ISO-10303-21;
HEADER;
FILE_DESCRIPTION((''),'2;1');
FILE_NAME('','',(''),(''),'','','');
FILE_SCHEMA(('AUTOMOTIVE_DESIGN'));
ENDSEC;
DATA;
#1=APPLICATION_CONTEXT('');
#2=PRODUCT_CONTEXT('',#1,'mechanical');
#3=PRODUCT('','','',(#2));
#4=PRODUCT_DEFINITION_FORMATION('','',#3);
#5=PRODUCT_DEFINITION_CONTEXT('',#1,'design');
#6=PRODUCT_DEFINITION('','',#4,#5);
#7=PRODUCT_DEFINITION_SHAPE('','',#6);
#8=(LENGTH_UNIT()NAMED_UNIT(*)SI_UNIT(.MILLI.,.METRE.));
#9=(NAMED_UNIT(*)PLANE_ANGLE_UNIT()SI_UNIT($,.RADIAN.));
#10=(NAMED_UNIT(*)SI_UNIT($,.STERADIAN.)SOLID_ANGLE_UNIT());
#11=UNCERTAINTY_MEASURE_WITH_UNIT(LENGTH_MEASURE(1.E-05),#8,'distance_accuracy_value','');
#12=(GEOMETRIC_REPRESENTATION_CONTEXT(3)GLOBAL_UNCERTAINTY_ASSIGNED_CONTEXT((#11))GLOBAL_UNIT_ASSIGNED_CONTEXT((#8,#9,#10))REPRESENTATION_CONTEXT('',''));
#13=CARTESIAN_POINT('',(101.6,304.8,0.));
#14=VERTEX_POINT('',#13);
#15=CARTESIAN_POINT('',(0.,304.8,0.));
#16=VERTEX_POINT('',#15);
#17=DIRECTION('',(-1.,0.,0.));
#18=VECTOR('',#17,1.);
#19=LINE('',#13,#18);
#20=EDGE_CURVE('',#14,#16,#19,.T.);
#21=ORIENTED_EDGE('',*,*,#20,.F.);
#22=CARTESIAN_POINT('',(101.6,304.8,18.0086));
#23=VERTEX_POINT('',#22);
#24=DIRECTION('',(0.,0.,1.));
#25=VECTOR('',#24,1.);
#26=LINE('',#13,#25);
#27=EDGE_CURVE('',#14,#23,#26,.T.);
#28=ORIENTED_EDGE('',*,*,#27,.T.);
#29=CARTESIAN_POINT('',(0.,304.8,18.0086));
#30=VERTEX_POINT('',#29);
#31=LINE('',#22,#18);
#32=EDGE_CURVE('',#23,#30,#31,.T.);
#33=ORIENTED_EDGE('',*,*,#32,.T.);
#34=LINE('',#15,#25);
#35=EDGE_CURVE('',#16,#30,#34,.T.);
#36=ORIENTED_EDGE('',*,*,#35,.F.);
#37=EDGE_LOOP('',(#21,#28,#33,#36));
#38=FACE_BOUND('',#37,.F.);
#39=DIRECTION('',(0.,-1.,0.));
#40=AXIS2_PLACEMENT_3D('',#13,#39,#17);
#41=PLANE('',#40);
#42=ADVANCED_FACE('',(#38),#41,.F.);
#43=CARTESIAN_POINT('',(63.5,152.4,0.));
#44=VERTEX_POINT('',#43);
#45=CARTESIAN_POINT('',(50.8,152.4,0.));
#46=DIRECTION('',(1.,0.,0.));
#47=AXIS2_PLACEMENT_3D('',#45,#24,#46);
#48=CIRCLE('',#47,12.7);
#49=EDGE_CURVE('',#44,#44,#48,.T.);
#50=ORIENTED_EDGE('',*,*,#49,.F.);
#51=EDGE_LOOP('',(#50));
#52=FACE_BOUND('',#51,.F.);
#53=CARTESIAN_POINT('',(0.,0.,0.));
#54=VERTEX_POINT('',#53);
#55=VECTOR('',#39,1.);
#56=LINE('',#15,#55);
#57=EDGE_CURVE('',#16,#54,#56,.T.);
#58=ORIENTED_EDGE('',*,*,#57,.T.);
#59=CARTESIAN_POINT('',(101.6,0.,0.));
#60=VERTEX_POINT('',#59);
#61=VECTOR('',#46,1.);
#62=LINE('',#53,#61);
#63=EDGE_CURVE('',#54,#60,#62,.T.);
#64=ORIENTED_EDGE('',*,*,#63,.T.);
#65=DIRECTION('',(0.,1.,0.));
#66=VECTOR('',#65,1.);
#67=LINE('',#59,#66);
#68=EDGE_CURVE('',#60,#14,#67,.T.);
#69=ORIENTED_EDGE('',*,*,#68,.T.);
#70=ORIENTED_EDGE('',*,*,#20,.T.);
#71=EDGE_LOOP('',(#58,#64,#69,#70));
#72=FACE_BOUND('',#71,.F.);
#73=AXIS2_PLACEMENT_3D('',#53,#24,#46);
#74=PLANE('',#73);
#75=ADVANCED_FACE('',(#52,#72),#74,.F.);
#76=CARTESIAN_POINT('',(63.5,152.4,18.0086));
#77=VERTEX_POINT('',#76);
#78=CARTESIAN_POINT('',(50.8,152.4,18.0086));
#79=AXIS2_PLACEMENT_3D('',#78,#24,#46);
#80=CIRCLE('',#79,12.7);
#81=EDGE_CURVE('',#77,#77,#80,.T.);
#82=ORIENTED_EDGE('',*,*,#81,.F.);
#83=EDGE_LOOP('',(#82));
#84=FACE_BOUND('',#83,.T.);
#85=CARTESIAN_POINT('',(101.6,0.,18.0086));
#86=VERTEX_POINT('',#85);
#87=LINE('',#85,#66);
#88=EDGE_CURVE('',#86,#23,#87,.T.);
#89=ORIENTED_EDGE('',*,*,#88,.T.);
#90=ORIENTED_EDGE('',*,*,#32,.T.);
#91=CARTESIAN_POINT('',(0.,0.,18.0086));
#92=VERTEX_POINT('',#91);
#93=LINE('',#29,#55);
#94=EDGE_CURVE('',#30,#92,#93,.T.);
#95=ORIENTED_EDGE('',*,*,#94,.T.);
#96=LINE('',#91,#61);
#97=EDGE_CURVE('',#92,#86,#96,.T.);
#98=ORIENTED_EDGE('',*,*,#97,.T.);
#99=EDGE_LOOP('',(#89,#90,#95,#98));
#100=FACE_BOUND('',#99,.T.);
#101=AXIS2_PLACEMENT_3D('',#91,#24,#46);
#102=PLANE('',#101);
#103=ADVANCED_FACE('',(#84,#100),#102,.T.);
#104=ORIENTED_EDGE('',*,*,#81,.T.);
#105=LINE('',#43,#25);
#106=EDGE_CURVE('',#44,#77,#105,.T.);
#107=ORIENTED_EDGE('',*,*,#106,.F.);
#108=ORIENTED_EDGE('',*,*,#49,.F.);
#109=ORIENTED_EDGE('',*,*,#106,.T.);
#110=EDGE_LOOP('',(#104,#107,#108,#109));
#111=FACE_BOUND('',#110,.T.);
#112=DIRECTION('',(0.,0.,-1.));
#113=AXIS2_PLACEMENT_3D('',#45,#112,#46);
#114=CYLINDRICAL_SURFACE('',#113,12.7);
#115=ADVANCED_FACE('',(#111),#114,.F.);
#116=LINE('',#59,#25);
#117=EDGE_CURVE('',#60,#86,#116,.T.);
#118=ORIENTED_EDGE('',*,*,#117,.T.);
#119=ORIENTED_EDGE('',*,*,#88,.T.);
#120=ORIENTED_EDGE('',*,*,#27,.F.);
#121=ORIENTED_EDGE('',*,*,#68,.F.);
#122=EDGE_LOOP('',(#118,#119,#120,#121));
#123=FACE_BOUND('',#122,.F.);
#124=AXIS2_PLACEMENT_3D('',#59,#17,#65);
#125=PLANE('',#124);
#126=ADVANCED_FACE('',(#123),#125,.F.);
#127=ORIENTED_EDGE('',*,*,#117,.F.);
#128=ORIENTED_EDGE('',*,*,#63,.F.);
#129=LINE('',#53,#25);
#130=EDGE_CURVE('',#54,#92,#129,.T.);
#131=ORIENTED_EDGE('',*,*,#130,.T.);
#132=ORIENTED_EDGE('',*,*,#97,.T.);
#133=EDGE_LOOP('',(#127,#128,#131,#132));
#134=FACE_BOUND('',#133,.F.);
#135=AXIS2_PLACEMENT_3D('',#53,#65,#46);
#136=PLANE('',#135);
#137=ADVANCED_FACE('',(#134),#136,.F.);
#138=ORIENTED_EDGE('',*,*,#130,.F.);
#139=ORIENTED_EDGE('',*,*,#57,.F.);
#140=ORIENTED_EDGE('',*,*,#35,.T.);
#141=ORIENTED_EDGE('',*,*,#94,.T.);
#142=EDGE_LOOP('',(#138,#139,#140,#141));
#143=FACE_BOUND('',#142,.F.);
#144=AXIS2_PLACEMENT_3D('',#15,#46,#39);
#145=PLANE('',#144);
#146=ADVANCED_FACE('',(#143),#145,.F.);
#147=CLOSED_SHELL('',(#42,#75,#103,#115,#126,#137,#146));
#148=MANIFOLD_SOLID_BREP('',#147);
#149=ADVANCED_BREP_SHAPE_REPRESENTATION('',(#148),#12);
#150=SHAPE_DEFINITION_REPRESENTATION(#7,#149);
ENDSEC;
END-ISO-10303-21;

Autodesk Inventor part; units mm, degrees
ref_plane "YZ Plane" through (0, 0, 0) normal (1, 0, 0) x (0, 1, 0)
ref_plane "XZ Plane" through (0, 0, 0) normal (0, 1, 0) x (-1, 0, 0)
ref_plane "XY Plane" through (0, 0, 0) normal (0, 0, 1) x (1, 0, 0)
sketch "Sketch1" plane through (0, 0, 0) normal (0, 0, 1) x (1, 0, 0)
  line L0 (0, 0) -> (101.6, 0)
  line L1 (101.6, 0) -> (101.6, 304.8)
  line L2 (101.6, 304.8) -> (0, 304.8)
  line L3 (0, 304.8) -> (0, 0)
  circle A0 centre (50.8, 152.4) radius 12.7
  dimension "d0" = 101.6
  dimension "d1" = 304.8
  dimension "d2" = 25.4
  dimension "d3" = 152.4
  dimension "d4" = 50.8
extrude "Extrusion1" add sketch "Sketch1" along normal blind 18.0086
properties part number "Tube Ring Joiner"
